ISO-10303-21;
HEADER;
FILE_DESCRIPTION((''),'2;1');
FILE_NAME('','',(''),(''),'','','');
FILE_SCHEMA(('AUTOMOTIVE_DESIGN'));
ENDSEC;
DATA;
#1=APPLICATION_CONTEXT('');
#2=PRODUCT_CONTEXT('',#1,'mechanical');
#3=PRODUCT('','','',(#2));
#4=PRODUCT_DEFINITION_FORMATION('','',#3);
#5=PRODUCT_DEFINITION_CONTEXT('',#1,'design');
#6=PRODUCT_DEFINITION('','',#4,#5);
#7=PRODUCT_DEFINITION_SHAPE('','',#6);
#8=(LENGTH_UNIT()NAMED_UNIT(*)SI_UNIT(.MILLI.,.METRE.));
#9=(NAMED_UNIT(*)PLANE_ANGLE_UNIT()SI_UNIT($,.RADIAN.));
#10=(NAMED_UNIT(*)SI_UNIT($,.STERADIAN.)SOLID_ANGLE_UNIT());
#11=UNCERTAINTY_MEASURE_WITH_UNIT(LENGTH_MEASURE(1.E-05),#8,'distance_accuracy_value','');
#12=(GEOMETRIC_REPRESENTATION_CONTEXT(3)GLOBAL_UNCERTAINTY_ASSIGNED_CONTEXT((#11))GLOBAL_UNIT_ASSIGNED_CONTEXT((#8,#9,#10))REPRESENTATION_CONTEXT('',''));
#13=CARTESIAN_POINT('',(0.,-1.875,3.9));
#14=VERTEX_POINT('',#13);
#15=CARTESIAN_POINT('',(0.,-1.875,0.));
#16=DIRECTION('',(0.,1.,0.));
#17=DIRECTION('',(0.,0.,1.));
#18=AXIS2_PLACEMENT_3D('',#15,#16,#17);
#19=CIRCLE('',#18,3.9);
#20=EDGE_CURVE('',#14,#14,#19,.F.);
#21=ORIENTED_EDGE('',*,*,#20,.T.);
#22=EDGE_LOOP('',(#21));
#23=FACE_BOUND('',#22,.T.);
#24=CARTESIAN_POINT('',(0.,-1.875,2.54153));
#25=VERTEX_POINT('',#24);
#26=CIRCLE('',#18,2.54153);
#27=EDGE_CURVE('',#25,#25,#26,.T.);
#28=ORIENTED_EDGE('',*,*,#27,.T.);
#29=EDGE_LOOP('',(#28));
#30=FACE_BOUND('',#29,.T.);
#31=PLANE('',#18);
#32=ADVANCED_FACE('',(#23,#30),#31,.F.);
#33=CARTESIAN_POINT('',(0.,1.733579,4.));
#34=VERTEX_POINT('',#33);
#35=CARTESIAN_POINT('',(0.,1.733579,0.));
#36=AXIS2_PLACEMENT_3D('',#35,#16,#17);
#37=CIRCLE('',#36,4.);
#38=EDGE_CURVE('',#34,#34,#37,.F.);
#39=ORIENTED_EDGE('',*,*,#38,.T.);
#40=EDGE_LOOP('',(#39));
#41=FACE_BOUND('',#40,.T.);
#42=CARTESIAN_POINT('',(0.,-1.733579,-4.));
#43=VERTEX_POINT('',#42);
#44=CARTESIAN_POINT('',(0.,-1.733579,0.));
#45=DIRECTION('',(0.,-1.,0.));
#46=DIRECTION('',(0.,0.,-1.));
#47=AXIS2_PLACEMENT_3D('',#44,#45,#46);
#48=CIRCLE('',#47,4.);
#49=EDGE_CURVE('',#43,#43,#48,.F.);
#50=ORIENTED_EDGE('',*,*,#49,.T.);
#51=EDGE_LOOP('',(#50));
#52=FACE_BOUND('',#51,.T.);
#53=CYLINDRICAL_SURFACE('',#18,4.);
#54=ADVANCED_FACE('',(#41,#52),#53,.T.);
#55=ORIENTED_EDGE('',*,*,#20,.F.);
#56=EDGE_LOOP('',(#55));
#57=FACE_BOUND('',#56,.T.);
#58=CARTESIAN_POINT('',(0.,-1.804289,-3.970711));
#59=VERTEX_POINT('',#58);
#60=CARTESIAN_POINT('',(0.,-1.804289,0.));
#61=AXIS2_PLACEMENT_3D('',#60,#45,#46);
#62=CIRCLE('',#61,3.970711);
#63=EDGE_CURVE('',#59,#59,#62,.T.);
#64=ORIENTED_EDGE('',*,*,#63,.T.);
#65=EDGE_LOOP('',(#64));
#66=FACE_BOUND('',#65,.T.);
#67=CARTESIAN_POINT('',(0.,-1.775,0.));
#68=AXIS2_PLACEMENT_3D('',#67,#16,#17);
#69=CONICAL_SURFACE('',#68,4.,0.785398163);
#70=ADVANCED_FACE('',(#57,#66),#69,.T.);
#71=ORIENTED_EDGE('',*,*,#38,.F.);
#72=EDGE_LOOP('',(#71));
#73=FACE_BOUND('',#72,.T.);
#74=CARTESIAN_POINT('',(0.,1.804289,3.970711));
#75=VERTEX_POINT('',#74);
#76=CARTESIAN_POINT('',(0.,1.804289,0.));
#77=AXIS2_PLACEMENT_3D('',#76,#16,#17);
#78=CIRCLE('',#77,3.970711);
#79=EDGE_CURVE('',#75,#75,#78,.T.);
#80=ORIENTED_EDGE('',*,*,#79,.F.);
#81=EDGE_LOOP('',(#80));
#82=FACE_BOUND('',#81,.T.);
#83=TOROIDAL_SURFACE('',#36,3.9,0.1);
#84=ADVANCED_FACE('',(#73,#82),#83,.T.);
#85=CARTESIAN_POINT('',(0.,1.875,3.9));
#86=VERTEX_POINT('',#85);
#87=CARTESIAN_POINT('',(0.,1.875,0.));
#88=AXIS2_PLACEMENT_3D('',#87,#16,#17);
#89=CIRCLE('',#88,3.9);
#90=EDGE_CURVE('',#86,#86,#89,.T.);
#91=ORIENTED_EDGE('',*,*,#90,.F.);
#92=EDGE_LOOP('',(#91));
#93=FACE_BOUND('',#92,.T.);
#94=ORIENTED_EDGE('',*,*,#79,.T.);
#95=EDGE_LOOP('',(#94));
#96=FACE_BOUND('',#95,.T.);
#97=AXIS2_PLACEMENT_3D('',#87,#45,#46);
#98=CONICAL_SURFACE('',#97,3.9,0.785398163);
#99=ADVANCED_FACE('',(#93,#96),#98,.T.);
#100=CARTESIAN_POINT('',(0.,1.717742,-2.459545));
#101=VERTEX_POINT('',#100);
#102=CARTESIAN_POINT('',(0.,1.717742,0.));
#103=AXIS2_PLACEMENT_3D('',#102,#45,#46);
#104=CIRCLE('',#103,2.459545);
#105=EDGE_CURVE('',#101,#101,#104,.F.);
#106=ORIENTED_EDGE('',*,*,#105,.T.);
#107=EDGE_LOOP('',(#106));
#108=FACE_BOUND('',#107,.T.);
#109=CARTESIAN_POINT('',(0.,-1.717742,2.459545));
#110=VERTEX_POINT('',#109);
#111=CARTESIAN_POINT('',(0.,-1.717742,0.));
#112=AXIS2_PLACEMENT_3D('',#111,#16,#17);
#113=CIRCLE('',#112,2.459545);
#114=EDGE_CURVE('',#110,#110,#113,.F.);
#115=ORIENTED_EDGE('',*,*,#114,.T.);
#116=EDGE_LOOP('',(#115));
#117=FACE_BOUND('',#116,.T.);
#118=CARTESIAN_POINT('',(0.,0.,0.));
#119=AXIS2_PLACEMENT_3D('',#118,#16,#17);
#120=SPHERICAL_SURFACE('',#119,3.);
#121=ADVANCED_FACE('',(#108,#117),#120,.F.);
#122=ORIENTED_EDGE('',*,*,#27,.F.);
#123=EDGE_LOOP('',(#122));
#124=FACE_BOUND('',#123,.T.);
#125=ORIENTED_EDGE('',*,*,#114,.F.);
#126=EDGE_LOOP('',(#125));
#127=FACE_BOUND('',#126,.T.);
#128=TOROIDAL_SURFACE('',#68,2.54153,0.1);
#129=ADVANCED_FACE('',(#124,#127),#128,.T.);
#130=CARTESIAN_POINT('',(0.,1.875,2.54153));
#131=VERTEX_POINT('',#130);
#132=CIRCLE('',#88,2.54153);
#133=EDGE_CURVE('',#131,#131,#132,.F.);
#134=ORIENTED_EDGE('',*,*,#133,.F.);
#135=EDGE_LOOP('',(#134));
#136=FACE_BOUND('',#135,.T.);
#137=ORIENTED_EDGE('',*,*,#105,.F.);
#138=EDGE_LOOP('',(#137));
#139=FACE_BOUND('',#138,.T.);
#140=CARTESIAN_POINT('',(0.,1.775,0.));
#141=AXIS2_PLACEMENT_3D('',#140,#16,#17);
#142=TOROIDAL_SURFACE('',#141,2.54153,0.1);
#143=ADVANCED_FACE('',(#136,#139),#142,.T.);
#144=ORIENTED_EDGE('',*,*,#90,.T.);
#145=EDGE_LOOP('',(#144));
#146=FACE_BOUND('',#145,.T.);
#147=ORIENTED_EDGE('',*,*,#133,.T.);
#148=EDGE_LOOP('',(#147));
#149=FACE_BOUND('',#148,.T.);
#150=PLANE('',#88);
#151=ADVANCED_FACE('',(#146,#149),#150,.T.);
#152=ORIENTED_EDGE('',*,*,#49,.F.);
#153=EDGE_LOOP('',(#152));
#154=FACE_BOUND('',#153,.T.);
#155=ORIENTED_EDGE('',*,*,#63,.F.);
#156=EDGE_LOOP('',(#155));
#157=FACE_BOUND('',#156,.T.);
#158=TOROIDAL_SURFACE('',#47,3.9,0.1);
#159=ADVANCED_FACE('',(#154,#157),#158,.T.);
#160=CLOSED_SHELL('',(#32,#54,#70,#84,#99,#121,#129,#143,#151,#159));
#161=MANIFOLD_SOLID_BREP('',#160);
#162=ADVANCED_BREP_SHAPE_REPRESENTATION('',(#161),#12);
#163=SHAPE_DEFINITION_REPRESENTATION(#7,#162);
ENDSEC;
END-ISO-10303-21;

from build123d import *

# Parameters (mm, degrees)
BOSS_EXTRUDE1_DEPTH      = 1.875
BOSS_EXTRUDE1_DEPTH_BACK = 1.875
SKETCH1_R                = 4
SKETCH1_R_2              = 2
CHAMFER1_SIZE            = 0.1
FILLET1_R                = 0.1
FILLET2_R                = 0.1


with BuildPart() as part:
    # Sketch1 → Boss-Extrude1 (new, two sides: drawn at the far end of the back side and taken through both)
    with BuildSketch(Plane(origin=(0, 0, 0), x_dir=(1, 0, 0), z_dir=(0, 1, 0)).offset(-BOSS_EXTRUDE1_DEPTH_BACK)):
        Circle(SKETCH1_R)
        Circle(SKETCH1_R_2, mode=Mode.SUBTRACT)
    extrude(amount=BOSS_EXTRUDE1_DEPTH + BOSS_EXTRUDE1_DEPTH_BACK)


with BuildPart() as body_2:
    # Sketch2 → Revolve1 (revolve)
    with BuildSketch(Plane(origin=(0, 0, 0), x_dir=(1, 0, 0), z_dir=(0, 1, 0))):
        with BuildLine():
            Line((0, 3), (0, -3))
            ThreePointArc((0, -3), (-3, 0), (0, 3))
        make_face()
    revolve(axis=Axis((0, 0, -3), (0, 0, 1)))


with BuildPart() as part_1:
    add(part.part)

    # Combine1: cut body 2
    add(body_2.part, mode=Mode.SUBTRACT)

    # Chamfer1
    chamfer1_edges = [part_1.edges().sort_by_distance(p)[0] for p in [
        (-4, 1.875, 0),
        (-4, -1.875, 0),
    ]]
    chamfer(chamfer1_edges, length=CHAMFER1_SIZE)

    # Fillet1
    fillet1_edges = [part_1.edges().sort_by_distance(p)[0] for p in [
        (-4, -1.775, 0),
        (-4, 1.775, 0),
    ]]
    fillet(fillet1_edges, radius=FILLET1_R)

    # Fillet2
    fillet2_edges = [part_1.edges().sort_by_distance(p)[0] for p in [
        (0, -1.875, -2.341874249),
        (0, 1.875, -2.341874249),
    ]]
    fillet(fillet2_edges, radius=FILLET2_R)


solid = part_1.part
